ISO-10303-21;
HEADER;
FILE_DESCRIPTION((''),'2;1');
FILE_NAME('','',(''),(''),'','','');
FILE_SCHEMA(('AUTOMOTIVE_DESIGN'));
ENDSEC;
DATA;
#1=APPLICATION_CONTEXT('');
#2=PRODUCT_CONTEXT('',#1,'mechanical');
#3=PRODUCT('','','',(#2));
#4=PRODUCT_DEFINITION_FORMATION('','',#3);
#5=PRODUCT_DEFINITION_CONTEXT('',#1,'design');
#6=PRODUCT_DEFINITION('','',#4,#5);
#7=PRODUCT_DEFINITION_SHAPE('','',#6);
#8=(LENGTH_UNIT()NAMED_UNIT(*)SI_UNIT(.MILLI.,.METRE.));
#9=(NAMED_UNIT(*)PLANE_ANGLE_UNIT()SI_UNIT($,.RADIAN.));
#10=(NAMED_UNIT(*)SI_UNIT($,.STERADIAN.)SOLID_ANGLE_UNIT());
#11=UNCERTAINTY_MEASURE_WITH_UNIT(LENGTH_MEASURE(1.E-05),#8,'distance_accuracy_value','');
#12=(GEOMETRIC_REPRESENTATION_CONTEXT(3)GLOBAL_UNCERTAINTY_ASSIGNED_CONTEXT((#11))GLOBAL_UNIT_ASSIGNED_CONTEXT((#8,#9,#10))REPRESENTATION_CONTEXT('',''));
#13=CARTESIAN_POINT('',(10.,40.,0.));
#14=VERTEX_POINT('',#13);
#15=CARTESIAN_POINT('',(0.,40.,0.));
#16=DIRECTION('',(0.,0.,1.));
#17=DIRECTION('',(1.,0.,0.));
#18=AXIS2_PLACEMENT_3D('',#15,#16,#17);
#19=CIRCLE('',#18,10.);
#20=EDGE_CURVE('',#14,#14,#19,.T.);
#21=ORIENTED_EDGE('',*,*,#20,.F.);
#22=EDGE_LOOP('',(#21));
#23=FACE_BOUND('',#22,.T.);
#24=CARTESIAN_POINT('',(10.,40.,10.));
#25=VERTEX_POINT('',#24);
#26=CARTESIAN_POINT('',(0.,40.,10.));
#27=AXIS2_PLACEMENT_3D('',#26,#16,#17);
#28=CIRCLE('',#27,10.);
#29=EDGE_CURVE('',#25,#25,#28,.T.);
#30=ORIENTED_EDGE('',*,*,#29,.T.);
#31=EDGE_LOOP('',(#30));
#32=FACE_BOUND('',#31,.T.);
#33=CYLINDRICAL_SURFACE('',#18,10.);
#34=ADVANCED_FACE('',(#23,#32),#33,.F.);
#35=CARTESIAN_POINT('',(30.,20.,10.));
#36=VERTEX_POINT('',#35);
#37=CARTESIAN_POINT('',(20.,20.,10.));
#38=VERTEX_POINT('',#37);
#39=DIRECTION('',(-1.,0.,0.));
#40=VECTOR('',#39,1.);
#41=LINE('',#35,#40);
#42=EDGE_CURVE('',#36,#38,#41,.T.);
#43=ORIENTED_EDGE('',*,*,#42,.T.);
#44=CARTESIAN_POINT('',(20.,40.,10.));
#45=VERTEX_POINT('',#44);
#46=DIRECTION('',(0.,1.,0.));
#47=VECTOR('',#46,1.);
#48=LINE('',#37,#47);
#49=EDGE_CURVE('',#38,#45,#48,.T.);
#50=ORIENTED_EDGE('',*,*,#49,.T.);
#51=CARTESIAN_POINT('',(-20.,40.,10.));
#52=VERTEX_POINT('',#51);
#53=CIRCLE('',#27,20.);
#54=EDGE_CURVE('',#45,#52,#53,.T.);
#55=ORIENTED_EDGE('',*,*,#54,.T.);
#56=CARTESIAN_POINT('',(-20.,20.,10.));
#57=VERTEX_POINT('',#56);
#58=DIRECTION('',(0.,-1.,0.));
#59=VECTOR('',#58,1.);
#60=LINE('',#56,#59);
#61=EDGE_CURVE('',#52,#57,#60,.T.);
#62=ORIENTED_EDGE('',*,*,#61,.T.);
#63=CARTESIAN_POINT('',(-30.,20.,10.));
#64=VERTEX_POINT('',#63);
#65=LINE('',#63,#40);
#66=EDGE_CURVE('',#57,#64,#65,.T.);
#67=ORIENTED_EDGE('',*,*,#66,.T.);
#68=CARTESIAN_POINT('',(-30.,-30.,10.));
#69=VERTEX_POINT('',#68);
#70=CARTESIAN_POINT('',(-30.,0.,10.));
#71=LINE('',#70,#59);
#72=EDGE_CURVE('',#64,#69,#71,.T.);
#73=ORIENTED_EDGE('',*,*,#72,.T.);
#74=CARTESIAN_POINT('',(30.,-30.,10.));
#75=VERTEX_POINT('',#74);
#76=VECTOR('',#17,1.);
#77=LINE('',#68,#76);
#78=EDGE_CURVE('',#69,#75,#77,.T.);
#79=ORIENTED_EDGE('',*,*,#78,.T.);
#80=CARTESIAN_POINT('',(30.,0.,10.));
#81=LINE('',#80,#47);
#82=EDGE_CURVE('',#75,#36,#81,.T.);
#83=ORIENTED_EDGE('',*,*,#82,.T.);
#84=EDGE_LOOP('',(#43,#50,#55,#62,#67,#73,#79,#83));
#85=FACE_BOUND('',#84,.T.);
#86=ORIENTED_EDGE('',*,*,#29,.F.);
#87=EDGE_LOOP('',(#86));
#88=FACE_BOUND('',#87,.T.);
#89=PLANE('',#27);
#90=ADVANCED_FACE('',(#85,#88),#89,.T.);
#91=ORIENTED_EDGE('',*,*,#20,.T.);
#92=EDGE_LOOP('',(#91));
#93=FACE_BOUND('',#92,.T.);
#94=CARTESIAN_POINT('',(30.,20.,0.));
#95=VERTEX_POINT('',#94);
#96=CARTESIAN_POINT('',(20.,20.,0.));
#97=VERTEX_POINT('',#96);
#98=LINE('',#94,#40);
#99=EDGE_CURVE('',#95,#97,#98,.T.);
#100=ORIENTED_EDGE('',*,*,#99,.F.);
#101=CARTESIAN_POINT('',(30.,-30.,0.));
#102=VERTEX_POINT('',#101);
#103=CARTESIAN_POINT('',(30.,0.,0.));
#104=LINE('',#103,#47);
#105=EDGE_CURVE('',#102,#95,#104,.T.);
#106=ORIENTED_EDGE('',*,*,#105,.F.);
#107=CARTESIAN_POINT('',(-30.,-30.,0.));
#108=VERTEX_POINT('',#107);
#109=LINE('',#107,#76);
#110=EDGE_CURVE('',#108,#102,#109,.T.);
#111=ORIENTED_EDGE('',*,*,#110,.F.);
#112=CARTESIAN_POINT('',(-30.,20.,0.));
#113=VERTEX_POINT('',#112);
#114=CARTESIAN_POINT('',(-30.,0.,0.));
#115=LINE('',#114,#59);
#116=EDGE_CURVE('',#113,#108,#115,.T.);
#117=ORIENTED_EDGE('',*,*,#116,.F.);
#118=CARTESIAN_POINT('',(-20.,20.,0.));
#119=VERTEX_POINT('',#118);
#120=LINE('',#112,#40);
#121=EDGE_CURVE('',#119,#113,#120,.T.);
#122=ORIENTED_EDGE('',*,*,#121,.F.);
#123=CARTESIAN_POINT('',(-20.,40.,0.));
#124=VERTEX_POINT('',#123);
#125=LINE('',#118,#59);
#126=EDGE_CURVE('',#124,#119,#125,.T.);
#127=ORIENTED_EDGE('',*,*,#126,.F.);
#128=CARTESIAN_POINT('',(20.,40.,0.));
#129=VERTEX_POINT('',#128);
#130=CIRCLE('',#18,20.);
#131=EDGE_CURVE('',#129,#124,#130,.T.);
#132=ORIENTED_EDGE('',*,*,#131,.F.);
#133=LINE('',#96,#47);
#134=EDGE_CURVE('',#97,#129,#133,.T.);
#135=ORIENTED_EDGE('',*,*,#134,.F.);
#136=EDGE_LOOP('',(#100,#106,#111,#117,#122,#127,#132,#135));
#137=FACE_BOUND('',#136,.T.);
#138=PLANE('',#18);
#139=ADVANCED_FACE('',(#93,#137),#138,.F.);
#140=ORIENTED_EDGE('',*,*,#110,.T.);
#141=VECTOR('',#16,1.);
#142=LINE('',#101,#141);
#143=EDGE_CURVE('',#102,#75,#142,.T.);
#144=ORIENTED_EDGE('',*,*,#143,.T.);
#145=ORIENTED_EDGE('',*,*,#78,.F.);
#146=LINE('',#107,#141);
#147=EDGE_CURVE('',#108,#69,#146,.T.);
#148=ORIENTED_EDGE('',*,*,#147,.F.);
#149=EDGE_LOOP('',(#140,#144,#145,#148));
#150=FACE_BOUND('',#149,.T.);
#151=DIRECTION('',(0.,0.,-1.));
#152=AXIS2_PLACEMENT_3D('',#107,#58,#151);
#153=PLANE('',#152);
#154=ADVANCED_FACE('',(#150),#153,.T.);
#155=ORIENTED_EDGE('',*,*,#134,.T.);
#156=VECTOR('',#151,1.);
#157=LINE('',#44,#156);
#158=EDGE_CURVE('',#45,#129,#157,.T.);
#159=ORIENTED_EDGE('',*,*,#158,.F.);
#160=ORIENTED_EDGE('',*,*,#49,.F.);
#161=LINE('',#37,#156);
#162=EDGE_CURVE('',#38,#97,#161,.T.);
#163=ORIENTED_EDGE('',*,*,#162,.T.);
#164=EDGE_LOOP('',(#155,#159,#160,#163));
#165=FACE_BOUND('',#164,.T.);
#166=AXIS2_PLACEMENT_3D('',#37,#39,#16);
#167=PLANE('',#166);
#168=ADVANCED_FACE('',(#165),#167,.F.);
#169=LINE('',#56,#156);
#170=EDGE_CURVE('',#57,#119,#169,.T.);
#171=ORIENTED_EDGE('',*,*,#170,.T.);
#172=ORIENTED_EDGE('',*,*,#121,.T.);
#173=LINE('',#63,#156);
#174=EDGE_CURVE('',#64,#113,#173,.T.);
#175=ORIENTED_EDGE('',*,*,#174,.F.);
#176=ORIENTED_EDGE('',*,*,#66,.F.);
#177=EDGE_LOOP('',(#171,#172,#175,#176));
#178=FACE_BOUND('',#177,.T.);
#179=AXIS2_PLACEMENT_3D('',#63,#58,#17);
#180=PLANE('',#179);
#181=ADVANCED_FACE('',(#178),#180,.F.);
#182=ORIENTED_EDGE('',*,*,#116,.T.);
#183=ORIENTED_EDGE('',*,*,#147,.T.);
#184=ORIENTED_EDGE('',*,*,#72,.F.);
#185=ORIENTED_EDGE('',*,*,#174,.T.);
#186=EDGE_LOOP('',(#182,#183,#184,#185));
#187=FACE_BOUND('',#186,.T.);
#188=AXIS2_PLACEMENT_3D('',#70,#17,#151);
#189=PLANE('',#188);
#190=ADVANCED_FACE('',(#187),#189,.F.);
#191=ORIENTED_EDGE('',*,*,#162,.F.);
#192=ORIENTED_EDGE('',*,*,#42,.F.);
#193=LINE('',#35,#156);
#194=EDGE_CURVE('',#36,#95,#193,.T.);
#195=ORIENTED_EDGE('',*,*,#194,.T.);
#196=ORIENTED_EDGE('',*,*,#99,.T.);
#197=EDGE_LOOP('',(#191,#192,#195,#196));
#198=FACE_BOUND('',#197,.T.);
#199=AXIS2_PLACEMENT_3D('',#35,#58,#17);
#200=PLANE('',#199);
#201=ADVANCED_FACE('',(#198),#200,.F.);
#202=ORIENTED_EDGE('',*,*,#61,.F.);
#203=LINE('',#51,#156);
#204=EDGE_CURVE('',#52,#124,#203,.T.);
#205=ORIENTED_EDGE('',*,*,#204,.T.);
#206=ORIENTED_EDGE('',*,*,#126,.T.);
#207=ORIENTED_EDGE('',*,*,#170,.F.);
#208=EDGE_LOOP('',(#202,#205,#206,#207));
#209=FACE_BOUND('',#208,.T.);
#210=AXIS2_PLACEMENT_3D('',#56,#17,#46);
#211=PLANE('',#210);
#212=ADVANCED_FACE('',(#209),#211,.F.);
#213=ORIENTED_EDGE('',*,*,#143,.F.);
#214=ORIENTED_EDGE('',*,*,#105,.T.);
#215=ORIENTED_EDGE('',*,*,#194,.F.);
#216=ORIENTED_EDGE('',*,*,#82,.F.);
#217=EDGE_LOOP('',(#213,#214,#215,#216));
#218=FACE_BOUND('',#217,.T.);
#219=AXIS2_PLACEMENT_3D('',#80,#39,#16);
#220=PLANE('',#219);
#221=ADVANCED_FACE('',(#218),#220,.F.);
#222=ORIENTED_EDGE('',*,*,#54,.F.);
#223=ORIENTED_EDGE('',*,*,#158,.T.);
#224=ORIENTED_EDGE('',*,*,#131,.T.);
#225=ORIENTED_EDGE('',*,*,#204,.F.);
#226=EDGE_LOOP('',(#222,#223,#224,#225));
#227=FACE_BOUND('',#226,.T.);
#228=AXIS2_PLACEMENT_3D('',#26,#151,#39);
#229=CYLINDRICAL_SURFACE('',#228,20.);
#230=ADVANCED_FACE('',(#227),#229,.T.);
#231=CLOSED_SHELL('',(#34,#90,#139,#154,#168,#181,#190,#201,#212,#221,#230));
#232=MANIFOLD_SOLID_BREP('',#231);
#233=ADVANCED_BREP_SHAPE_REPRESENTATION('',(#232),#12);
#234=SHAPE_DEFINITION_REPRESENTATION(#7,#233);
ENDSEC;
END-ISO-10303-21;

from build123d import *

# Parameters (mm, degrees)
BOSS_EXTRUDE1_DEPTH = 10
SKETCH2_R           = 10
BOSS_EXTRUDE2_DEPTH = 20
SKETCH3_W           = 60
SKETCH3_H           = 30
BOSS_EXTRUDE3_DEPTH = 10
CUT_EXTRUDE1_START  = -30
SKETCH4_R           = 10
CUT_EXTRUDE1_DEPTH  = 30


with BuildPart() as part:
    # Sketch1 → Boss-Extrude1 (new body)
    with BuildSketch(Plane.XY):
        with BuildLine():
            Line((-30, 0), (30, 0))
            Line((30, 0), (30, 20))
            Line((30, 20), (20, 20))
            Line((20, 20), (20, 40))
            ThreePointArc((20, 40), (0, 60), (-20, 40))
            Line((-20, 40), (-20, 20))
            Line((-20, 20), (-30, 20))
            Line((-30, 20), (-30, 0))
        make_face()
    extrude(amount=BOSS_EXTRUDE1_DEPTH)

    # Sketch2 → Boss-Extrude2 (add)
    with BuildSketch(Plane.XY.offset(10)):
        with Locations((0, 40)):
            Circle(SKETCH2_R)
    extrude(amount=BOSS_EXTRUDE2_DEPTH)

    # Sketch3 → Boss-Extrude3 (add)
    with BuildSketch(Plane.XY.offset(10)):
        with Locations((0, -15)):
            Rectangle(SKETCH3_W, SKETCH3_H)
    extrude(amount=-BOSS_EXTRUDE3_DEPTH)

    # Sketch4 → Cut-Extrude1 (cut)
    with BuildSketch(Plane.XY.offset(30).offset(CUT_EXTRUDE1_START)):
        with Locations((0, 40)):
            Circle(SKETCH4_R)
    extrude(amount=CUT_EXTRUDE1_DEPTH, mode=Mode.SUBTRACT)


solid = part.part
